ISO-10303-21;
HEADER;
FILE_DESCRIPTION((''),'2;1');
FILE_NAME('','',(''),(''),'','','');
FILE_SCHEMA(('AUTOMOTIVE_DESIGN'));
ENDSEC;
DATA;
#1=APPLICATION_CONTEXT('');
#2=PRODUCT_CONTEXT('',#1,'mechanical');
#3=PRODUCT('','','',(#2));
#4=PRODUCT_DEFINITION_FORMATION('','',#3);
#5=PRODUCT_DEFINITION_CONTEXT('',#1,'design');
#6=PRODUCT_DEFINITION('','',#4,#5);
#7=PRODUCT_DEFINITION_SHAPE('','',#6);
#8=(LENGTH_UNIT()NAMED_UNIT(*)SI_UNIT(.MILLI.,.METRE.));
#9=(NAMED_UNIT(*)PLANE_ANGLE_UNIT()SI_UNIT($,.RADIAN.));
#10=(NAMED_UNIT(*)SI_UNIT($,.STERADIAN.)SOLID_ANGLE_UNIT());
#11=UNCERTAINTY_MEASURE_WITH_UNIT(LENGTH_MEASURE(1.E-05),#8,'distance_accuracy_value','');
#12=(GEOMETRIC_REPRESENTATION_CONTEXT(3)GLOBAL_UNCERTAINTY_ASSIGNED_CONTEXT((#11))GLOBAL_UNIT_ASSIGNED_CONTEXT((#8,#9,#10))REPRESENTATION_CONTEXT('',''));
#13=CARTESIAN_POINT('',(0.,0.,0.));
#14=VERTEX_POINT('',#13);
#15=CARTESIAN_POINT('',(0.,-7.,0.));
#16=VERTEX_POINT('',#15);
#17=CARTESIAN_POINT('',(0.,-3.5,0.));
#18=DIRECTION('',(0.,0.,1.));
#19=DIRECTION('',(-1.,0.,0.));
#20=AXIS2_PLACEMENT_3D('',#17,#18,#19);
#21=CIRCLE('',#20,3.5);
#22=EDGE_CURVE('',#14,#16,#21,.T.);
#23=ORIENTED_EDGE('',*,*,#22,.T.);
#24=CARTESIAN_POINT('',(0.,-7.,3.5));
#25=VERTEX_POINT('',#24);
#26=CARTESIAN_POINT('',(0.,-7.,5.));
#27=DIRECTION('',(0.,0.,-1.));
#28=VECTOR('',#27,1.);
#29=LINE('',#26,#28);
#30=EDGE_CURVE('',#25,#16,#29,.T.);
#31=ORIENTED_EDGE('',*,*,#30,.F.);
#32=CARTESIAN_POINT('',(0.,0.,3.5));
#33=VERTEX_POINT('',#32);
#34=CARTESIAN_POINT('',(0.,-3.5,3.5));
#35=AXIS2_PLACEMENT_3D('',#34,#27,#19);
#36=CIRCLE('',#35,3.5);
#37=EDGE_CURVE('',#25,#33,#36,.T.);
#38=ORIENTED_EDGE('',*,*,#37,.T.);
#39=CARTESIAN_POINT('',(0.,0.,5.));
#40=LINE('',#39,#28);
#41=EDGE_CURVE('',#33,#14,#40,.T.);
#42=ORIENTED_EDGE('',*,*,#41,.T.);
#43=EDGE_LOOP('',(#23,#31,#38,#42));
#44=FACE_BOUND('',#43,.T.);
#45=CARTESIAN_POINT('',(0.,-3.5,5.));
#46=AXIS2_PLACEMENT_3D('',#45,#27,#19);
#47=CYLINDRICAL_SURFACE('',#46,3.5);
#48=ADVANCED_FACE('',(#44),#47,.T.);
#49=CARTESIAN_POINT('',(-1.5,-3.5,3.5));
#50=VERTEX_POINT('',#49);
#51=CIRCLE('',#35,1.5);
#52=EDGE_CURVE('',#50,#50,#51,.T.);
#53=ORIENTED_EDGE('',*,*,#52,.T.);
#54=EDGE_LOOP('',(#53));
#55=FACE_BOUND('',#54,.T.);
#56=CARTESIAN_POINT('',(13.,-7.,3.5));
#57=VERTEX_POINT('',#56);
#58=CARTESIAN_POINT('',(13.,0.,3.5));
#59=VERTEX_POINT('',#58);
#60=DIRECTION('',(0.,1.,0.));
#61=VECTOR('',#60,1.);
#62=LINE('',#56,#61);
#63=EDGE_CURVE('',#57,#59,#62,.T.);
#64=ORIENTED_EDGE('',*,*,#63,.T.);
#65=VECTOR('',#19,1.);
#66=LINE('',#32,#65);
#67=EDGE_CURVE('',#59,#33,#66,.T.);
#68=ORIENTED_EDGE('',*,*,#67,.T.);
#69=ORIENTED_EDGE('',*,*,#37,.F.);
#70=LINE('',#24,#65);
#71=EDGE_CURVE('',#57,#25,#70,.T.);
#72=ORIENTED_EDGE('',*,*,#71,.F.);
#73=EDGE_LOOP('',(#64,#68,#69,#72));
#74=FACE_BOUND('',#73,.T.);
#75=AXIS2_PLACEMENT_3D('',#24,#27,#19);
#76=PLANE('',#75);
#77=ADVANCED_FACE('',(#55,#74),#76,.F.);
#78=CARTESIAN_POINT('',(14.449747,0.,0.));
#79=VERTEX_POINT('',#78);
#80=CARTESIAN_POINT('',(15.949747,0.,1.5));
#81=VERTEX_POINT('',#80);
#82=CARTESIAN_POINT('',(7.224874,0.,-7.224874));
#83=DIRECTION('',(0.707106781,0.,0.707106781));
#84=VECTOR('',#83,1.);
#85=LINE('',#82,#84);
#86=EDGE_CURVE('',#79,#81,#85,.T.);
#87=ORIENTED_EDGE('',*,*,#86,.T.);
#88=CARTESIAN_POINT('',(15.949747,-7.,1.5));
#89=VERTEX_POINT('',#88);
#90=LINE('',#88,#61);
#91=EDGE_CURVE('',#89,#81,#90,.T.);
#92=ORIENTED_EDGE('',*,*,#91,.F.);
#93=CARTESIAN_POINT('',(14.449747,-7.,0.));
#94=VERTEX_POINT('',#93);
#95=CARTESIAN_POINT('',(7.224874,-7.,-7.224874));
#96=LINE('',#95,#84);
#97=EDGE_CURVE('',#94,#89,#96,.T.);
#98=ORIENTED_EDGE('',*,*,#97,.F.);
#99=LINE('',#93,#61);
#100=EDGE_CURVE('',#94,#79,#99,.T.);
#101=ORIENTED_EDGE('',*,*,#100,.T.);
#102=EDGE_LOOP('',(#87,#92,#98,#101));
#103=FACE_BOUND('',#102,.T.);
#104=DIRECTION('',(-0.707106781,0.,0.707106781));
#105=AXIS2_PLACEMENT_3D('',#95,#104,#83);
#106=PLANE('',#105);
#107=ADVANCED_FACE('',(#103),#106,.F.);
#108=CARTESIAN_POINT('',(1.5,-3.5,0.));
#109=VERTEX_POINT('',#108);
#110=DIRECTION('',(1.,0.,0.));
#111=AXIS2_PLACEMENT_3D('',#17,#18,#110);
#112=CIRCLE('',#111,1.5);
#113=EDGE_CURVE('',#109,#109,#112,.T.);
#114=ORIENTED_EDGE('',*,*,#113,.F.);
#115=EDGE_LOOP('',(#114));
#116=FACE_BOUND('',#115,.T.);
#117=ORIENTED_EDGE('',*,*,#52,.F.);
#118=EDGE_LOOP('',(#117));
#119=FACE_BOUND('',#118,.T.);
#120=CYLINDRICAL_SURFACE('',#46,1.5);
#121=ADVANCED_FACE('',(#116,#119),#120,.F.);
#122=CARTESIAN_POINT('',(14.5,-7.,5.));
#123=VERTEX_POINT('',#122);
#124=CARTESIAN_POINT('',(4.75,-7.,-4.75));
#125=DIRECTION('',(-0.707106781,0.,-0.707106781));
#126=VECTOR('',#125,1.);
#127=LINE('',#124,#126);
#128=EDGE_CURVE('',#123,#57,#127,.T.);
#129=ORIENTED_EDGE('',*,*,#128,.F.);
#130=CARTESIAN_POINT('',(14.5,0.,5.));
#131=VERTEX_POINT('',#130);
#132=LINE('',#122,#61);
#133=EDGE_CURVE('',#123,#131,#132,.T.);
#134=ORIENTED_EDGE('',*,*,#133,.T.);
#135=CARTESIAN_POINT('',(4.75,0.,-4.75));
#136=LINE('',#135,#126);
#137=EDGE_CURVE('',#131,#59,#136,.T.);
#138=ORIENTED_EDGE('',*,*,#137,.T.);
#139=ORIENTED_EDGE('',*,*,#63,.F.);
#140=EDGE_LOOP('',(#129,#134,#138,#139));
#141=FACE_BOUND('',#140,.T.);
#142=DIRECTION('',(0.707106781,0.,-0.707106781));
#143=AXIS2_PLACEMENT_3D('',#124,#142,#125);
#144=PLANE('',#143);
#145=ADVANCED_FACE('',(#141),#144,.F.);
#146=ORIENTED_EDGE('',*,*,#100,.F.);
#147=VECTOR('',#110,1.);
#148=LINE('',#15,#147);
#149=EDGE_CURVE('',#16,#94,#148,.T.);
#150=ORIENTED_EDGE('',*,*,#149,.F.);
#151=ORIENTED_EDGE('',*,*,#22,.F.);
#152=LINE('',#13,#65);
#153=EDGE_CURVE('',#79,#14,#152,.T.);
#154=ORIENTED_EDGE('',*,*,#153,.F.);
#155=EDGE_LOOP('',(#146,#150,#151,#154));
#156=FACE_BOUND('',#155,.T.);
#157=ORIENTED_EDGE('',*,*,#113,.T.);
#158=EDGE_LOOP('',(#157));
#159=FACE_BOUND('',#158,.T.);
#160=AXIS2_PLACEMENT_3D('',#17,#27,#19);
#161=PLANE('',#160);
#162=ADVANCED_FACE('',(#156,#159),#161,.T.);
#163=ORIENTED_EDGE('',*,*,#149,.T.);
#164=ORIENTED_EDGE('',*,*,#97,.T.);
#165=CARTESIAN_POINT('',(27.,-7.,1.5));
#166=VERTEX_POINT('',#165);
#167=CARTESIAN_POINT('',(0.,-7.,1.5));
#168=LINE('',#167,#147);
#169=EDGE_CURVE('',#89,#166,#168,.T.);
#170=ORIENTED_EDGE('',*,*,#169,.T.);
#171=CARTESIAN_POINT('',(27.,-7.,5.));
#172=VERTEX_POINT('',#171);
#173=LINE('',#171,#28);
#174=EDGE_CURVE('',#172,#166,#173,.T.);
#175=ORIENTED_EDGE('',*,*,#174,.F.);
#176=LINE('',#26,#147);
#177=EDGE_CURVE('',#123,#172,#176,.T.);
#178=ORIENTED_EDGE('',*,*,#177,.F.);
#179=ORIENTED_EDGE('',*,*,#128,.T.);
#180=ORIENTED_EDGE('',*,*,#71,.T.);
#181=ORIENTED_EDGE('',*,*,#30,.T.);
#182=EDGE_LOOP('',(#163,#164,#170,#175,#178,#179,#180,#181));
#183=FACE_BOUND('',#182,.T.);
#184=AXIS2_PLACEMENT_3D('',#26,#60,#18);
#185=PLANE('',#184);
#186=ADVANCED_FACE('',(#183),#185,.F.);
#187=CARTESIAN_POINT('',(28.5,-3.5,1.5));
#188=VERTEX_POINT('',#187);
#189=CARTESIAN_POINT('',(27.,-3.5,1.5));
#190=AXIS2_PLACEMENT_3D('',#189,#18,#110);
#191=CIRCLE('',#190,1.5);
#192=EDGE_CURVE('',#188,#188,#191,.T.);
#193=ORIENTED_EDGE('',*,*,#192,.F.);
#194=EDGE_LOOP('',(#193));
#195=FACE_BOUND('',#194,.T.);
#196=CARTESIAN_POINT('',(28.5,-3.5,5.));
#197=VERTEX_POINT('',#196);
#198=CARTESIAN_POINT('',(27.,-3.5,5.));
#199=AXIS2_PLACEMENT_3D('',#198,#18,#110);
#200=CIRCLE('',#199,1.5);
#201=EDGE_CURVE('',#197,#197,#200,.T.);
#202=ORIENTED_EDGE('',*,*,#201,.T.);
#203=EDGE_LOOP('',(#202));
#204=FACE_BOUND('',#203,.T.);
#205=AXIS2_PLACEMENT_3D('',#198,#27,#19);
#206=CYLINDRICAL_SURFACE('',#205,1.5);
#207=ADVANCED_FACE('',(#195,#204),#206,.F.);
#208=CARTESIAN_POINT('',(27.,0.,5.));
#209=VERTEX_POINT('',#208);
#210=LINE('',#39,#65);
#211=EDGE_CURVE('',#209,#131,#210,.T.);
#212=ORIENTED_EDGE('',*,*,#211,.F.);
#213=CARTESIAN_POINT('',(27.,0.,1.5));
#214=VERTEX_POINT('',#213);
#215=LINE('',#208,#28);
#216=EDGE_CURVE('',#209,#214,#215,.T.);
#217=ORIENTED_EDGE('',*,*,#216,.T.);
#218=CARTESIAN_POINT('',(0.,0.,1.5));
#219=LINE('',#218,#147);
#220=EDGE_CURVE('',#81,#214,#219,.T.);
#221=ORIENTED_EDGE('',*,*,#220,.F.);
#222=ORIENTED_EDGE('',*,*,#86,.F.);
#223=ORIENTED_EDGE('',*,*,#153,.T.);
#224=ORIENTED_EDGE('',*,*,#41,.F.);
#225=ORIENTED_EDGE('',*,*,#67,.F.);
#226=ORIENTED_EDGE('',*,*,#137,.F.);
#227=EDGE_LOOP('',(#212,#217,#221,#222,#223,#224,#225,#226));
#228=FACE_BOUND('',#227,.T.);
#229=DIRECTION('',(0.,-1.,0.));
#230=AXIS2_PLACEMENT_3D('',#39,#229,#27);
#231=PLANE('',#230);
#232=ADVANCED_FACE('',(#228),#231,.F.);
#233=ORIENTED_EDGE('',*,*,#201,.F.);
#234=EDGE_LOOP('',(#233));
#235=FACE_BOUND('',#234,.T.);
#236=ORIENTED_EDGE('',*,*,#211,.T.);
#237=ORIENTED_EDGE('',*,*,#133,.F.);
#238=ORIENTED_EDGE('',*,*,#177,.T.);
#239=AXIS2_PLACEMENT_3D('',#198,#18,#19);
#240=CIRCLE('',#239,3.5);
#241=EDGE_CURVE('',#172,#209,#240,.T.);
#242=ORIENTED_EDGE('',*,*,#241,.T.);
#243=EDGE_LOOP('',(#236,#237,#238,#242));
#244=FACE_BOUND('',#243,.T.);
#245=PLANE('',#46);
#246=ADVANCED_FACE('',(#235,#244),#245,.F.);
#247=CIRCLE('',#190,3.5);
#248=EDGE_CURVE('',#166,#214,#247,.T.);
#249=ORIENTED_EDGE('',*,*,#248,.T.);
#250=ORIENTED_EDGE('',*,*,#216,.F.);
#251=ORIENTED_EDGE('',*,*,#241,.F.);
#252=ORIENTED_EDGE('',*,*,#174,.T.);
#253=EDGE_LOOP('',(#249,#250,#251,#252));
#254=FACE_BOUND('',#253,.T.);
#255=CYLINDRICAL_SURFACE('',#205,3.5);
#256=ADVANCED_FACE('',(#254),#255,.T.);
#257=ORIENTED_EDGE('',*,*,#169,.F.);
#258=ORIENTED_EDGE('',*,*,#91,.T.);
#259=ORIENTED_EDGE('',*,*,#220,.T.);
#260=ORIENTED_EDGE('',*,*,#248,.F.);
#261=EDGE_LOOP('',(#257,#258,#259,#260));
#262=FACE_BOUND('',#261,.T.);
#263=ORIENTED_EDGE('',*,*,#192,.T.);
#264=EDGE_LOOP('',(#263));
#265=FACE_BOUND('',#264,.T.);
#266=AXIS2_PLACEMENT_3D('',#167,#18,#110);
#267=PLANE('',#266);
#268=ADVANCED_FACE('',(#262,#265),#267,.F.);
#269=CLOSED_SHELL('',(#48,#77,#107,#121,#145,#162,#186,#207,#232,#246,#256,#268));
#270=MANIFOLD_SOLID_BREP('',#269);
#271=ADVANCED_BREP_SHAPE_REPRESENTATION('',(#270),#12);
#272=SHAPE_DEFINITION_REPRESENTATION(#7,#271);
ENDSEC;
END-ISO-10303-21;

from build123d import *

# Parameters (mm, degrees)
SKETCH1_R           = 1.5
BOSS_EXTRUDE1_DEPTH = 5
SKETCH2_W           = 3.5
SKETCH2_H           = 1.5
CUT_EXTRUDE1_DEPTH  = 32.689903755


with BuildPart() as part:
    # Sketch1 → Boss-Extrude1 (new body)
    with BuildSketch(Plane.XY):
        with BuildLine():
            Line((0, 0), (27, 0))
            ThreePointArc((27, 0), (30.5, -3.5), (27, -7))
            Line((27, -7), (0, -7))
            ThreePointArc((0, -7), (-3.5, -3.5), (0, 0))
        make_face()
        with Locations((0, -3.5)):
            Circle(SKETCH1_R, mode=Mode.SUBTRACT)
        with Locations((27, -3.5)):
            Circle(SKETCH1_R, mode=Mode.SUBTRACT)
    extrude(amount=BOSS_EXTRUDE1_DEPTH)

    # Sketch2 → Cut-Extrude1 (cut, through all)
    with BuildSketch(Plane(origin=(0, 0, 0), x_dir=(1, 0, 0), z_dir=(0, 1, 0))):
        Polygon((0, -5), (14.5, -5), (13, -3.5), (0, -3.5), align=None)
        Polygon((15.949747468, -1.5), (27, -1.5), (27, 0), (14.449747468, 0), align=None)
        with Locations((-1.75, -4.25)):
            Rectangle(SKETCH2_W, SKETCH2_H)
        with Locations((28.75, -0.75)):
            Rectangle(SKETCH2_W, SKETCH2_H)
    extrude(amount=-CUT_EXTRUDE1_DEPTH, mode=Mode.SUBTRACT)


solid = part.part
